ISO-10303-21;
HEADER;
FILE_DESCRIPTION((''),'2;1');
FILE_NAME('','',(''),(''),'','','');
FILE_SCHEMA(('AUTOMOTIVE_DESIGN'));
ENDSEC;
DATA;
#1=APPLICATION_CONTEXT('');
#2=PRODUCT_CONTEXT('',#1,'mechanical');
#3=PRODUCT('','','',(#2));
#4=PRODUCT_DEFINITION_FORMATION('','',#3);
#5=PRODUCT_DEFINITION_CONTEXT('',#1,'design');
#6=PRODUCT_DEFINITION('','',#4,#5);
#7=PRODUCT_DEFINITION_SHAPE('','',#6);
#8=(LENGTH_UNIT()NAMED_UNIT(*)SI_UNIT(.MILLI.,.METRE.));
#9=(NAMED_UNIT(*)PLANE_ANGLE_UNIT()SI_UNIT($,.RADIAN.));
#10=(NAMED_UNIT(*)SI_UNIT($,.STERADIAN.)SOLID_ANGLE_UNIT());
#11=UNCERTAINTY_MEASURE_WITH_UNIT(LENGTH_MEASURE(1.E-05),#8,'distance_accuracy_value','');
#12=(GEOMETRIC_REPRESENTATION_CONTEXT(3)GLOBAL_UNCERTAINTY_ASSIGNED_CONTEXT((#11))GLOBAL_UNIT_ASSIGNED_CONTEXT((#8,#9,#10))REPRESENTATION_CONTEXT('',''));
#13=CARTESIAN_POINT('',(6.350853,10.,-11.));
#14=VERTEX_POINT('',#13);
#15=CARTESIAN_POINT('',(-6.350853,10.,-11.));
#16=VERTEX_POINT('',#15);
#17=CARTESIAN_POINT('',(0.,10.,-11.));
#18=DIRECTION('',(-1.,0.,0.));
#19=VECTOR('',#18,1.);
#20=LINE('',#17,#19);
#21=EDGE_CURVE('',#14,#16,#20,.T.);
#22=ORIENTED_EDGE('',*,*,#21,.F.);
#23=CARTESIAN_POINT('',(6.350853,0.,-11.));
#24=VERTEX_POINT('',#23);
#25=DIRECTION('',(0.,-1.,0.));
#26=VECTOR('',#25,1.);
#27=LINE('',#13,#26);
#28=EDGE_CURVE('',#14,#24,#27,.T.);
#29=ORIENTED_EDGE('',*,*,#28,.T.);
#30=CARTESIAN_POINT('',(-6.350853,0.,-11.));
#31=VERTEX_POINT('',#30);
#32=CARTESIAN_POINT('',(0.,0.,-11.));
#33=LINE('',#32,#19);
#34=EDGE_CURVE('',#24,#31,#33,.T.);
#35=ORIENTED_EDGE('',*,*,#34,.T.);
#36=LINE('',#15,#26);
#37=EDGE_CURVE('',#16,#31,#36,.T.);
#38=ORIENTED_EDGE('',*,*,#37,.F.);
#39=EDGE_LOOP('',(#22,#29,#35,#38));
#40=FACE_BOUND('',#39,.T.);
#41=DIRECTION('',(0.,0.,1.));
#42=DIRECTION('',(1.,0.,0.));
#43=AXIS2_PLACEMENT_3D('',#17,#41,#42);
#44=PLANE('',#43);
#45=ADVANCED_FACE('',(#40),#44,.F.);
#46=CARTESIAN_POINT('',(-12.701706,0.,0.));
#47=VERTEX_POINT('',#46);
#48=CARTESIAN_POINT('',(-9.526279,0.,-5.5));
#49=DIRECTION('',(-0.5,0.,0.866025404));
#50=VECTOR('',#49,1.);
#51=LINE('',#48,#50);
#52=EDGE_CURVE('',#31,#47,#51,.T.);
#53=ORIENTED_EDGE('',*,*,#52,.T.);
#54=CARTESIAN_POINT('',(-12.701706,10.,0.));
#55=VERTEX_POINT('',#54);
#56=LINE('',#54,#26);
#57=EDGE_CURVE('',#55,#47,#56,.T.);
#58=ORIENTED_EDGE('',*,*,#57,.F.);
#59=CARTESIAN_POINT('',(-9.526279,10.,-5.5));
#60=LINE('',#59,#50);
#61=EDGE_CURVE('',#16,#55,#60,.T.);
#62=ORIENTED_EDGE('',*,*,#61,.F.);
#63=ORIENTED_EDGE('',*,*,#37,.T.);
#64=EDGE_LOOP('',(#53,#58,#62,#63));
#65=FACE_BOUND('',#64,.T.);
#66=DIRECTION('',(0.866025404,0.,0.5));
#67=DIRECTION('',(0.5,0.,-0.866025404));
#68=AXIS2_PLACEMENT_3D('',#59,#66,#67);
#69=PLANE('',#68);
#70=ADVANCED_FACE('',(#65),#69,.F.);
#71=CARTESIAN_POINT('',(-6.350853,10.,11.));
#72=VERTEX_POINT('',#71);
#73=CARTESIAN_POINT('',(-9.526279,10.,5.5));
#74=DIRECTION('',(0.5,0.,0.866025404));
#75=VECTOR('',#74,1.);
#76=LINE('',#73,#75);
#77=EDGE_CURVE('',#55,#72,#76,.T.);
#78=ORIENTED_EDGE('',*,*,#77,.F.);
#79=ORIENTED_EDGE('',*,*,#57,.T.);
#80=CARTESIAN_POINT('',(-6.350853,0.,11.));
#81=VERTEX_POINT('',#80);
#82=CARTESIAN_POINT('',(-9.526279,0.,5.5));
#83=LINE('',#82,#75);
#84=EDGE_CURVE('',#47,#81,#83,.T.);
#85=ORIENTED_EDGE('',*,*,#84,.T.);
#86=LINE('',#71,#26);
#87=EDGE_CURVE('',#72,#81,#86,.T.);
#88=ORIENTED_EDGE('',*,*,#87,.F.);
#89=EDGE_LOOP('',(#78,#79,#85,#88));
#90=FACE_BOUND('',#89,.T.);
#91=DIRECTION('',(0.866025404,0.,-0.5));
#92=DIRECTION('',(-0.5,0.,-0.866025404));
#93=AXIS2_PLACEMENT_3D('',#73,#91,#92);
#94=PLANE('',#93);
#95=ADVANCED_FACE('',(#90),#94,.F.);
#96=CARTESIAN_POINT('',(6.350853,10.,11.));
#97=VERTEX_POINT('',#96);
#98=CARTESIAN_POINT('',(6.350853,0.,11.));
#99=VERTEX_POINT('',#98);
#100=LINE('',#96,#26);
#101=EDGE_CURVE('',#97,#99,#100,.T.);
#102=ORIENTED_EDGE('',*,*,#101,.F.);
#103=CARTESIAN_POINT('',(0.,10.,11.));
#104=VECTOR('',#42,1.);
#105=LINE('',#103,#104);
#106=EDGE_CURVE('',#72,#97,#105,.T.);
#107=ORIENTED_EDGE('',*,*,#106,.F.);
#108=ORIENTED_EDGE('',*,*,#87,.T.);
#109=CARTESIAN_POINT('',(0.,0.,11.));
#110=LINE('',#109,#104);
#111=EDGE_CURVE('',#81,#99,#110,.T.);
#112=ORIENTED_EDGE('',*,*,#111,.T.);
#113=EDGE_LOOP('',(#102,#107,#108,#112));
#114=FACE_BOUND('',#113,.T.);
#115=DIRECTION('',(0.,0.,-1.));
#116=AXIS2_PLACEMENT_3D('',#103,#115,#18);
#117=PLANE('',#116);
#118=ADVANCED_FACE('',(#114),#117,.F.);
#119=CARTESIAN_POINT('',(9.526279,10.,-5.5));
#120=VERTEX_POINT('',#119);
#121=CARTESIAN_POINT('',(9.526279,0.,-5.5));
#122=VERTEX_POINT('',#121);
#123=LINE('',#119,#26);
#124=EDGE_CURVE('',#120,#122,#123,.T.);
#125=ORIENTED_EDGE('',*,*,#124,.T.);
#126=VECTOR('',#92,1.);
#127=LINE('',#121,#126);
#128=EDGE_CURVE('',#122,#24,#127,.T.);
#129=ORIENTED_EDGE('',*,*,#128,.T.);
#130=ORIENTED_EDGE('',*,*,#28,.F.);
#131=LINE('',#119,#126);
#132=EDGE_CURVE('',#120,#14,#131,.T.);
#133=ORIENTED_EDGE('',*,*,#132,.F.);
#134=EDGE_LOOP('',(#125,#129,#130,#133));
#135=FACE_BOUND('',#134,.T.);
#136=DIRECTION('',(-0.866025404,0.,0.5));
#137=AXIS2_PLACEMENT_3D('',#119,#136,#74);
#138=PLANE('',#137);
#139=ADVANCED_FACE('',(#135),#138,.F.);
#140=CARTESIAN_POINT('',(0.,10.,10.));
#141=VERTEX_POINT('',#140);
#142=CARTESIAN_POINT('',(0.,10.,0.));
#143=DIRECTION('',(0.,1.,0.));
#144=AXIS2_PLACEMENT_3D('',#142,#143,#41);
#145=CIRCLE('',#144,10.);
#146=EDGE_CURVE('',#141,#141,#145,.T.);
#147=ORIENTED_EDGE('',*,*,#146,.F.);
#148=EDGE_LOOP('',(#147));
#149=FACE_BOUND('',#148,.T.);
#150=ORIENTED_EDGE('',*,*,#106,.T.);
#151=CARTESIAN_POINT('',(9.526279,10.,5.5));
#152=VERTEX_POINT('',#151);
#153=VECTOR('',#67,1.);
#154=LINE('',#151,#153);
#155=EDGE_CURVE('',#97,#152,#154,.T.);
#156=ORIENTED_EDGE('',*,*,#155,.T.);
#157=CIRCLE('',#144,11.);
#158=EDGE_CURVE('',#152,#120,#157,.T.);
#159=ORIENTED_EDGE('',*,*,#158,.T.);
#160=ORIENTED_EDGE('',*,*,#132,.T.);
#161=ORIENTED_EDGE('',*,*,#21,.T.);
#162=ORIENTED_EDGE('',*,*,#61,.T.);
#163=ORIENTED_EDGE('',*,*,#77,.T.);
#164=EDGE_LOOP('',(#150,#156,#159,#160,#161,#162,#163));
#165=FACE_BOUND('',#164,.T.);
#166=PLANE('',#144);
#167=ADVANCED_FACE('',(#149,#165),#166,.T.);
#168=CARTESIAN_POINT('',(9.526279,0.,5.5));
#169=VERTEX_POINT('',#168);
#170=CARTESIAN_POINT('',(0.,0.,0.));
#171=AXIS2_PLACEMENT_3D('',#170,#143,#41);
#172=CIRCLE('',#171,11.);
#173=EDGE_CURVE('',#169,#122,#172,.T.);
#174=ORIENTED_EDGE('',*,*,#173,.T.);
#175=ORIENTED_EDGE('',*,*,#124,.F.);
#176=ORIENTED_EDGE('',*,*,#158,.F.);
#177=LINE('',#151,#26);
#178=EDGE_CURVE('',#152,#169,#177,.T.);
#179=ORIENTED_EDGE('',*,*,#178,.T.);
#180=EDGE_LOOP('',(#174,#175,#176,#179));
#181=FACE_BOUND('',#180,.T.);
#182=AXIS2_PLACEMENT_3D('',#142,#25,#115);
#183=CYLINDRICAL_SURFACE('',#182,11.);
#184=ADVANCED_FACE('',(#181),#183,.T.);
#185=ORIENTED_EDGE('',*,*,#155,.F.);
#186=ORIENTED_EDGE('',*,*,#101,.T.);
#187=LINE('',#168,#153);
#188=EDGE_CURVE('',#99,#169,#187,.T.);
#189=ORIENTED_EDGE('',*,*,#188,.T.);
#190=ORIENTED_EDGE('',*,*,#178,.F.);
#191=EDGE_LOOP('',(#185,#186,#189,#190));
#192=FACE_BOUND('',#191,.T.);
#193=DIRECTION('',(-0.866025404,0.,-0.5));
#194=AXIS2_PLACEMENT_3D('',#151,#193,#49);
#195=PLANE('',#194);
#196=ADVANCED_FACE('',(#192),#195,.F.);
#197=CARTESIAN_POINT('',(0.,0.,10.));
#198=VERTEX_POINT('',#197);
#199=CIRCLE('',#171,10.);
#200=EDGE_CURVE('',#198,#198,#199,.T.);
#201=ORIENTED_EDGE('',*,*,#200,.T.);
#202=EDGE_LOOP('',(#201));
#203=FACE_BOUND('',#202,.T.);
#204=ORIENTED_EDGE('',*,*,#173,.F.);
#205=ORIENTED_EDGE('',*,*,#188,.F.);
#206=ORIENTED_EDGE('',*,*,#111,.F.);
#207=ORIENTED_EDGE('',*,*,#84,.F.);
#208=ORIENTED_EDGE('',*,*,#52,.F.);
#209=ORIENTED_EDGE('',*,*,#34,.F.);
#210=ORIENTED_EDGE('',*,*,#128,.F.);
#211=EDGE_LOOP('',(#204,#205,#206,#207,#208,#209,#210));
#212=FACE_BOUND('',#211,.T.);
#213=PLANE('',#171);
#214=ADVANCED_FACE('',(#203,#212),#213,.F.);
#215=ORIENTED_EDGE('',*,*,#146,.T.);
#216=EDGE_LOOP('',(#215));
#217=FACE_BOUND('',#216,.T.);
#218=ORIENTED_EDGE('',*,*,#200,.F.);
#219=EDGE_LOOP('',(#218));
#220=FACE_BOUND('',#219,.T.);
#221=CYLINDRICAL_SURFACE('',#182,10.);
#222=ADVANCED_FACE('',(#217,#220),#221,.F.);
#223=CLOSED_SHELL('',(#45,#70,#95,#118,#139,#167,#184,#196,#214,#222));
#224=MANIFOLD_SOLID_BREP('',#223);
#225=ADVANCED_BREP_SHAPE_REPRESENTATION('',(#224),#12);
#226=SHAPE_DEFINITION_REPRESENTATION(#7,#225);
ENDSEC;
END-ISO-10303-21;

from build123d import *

# Parameters (mm, degrees)
SKETCH1_R           = 11
SKETCH1_R_2         = 10
BOSS_EXTRUDE3_DEPTH = 10


with BuildPart() as part:
    # Sketch1 → Boss-Extrude3 (new body)
    # profile 1 of 6: a face of its own
    with BuildSketch(Plane(origin=(0, 0, 0), x_dir=(1, 0, 0), z_dir=(0, 1, 0))):
        Circle(SKETCH1_R)
        with Locations(Location((0, 0, 0), (0, 0, 270))):
            Circle(SKETCH1_R_2, mode=Mode.SUBTRACT)
    # profile 2 of 6: a face of its own
    with BuildSketch(Plane(origin=(0, 0, 0), x_dir=(1, 0, 0), z_dir=(0, 1, 0))):
        with BuildLine():
            ThreePointArc((-9.526279142, -5.500000519), (-11, -3e-09), (-9.526279145, 5.500000513))
            Line((-9.526279145, 5.500000513), (-12.701705922, 0))
            Line((-12.701705922, 0), (-9.526279142, -5.500000519))
        make_face()
    # profile 3 of 6: a face of its own
    with BuildSketch(Plane(origin=(0, 0, 0), x_dir=(1, 0, 0), z_dir=(0, 1, 0))):
        with BuildLine():
            Line((-6.350852961, -11), (5.6e-08, -11))
            ThreePointArc((5.6e-08, -11), (-5.499999716, -9.526279605), (-9.526279142, -5.500000519))
            Line((-9.526279142, -5.500000519), (-6.350852961, -11))
        make_face()
    # profile 4 of 6: a face of its own
    with BuildSketch(Plane(origin=(0, 0, 0), x_dir=(1, 0, 0), z_dir=(0, 1, 0))):
        with BuildLine():
            Line((6.350852961, -11), (9.526279442, -5.5))
            ThreePointArc((9.526279442, -5.5), (5.500000024, -9.526279428), (5.6e-08, -11))
            Line((5.6e-08, -11), (6.350852961, -11))
        make_face()
    # profile 5 of 6: a face of its own
    with BuildSketch(Plane(origin=(0, 0, 0), x_dir=(1, 0, 0), z_dir=(0, 1, 0))):
        with BuildLine():
            ThreePointArc((0, 11), (5.5, 9.526279442), (9.526279442, 5.5))
            Line((9.526279442, 5.5), (6.350852961, 11))
            Line((6.350852961, 11), (0, 11))
        make_face()
    # profile 6 of 6: a face of its own
    with BuildSketch(Plane(origin=(0, 0, 0), x_dir=(1, 0, 0), z_dir=(0, 1, 0))):
        with BuildLine():
            ThreePointArc((-9.526279145, 5.500000513), (-5.499999743, 9.52627959), (0, 11))
            Line((0, 11), (-6.350852961, 11))
            Line((-6.350852961, 11), (-9.526279145, 5.500000513))
        make_face()
    extrude(amount=BOSS_EXTRUDE3_DEPTH)


solid = part.part
